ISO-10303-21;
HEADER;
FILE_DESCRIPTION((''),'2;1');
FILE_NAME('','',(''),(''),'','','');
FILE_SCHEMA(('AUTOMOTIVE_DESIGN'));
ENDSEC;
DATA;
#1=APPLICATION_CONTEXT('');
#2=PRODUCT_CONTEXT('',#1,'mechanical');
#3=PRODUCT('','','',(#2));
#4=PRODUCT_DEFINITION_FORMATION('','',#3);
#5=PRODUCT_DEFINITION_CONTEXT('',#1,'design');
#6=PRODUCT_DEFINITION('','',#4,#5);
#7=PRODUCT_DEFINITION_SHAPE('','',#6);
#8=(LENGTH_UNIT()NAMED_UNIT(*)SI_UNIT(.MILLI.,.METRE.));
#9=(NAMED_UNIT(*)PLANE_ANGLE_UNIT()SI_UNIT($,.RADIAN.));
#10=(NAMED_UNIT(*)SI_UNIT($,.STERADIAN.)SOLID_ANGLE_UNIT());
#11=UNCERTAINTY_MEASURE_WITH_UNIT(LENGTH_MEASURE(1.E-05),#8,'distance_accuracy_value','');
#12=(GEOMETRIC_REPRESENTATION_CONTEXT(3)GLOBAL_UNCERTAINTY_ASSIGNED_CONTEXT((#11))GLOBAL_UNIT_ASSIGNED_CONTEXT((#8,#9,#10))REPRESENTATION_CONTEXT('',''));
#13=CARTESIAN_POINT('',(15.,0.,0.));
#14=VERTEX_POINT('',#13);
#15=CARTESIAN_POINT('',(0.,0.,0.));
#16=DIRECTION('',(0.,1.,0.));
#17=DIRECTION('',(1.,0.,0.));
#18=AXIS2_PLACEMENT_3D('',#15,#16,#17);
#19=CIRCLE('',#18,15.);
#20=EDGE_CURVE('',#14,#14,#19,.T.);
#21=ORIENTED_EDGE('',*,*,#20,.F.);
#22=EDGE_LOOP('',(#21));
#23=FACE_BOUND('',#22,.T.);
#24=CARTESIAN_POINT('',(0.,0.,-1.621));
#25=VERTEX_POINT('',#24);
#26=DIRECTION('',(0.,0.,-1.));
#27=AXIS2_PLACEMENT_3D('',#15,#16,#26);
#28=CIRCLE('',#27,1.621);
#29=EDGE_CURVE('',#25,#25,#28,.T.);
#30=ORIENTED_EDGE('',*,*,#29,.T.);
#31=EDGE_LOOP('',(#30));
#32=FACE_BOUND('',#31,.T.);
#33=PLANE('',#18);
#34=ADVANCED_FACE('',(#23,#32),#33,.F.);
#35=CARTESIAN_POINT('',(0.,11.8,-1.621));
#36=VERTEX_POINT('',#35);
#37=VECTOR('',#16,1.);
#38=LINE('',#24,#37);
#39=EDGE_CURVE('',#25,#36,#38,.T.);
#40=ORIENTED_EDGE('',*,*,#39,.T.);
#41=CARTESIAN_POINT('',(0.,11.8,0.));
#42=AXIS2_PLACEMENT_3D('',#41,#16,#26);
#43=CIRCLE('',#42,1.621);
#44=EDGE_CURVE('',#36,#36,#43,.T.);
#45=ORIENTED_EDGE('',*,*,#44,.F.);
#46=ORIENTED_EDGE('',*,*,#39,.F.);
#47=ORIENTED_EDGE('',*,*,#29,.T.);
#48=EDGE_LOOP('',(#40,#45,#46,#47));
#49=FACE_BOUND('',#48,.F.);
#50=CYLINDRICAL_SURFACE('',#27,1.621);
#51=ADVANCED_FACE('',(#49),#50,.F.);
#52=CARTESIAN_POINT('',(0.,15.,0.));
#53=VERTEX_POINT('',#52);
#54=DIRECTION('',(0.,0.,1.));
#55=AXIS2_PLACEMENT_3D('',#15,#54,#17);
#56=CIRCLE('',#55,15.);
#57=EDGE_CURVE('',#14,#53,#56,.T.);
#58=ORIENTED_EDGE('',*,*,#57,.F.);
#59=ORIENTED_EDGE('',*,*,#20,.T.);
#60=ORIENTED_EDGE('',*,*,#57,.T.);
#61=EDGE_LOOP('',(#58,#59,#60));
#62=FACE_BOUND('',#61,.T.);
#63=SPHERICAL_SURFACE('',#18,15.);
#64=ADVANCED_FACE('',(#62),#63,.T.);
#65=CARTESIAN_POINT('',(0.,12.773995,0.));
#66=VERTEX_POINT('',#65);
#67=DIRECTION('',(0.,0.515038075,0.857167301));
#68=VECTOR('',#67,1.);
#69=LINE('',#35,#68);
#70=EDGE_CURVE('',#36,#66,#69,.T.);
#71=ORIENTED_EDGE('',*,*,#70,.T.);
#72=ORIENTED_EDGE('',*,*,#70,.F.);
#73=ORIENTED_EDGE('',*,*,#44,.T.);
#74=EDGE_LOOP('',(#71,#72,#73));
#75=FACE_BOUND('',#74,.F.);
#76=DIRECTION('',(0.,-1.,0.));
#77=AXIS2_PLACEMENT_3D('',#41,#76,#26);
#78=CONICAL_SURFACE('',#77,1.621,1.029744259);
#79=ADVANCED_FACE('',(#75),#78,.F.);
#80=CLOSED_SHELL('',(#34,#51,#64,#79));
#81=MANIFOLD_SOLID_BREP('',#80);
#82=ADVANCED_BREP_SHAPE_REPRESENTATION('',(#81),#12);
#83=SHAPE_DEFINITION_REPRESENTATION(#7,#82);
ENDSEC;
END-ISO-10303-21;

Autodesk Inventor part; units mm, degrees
ref_plane "YZ Plane" through (0, 0, 0) normal (1, 0, 0) x (0, 1, 0)
ref_plane "XZ Plane" through (0, 0, 0) normal (0, 1, 0) x (-1, 0, 0)
ref_plane "XY Plane" through (0, 0, 0) normal (0, 0, 1) x (1, 0, 0)
sketch "Sketch1" plane through (0, 0, 0) normal (0, 0, 1) x (1, 0, 0)
  line L0 (0, 0) -> (0, 15)
  line L1 (0, 0) -> (15, 0)
  arc A0 (15, 0) -> (0, 15) centre (0, 0) ccw
  line L2 (0, -3.6213) -> (0, 21.7279) projected
  dimension "d2" = 15
revolve "Revolution1" add sketch "Sketch1" angle 360 about axis through (0, -10, 0) along (0, 1, 0)
sketch "Sketch4" plane through (0, 0, 0) normal (0, -1, 0) x (1, 0, 0)
  point P0 (0, 0)
  point P1 (0, 0)
hole "Hole2" at (0, 0, 0) direction (0, 1, 0) diameter 3.242 depth 11.8 tip angle 118 thread size "M4x0.7" class "6H" standard "ANSI Metric M Profile"
shell "Shell2" [suppressed]
properties part number "Ball_Upper Half" material "Nylon 6/6"
